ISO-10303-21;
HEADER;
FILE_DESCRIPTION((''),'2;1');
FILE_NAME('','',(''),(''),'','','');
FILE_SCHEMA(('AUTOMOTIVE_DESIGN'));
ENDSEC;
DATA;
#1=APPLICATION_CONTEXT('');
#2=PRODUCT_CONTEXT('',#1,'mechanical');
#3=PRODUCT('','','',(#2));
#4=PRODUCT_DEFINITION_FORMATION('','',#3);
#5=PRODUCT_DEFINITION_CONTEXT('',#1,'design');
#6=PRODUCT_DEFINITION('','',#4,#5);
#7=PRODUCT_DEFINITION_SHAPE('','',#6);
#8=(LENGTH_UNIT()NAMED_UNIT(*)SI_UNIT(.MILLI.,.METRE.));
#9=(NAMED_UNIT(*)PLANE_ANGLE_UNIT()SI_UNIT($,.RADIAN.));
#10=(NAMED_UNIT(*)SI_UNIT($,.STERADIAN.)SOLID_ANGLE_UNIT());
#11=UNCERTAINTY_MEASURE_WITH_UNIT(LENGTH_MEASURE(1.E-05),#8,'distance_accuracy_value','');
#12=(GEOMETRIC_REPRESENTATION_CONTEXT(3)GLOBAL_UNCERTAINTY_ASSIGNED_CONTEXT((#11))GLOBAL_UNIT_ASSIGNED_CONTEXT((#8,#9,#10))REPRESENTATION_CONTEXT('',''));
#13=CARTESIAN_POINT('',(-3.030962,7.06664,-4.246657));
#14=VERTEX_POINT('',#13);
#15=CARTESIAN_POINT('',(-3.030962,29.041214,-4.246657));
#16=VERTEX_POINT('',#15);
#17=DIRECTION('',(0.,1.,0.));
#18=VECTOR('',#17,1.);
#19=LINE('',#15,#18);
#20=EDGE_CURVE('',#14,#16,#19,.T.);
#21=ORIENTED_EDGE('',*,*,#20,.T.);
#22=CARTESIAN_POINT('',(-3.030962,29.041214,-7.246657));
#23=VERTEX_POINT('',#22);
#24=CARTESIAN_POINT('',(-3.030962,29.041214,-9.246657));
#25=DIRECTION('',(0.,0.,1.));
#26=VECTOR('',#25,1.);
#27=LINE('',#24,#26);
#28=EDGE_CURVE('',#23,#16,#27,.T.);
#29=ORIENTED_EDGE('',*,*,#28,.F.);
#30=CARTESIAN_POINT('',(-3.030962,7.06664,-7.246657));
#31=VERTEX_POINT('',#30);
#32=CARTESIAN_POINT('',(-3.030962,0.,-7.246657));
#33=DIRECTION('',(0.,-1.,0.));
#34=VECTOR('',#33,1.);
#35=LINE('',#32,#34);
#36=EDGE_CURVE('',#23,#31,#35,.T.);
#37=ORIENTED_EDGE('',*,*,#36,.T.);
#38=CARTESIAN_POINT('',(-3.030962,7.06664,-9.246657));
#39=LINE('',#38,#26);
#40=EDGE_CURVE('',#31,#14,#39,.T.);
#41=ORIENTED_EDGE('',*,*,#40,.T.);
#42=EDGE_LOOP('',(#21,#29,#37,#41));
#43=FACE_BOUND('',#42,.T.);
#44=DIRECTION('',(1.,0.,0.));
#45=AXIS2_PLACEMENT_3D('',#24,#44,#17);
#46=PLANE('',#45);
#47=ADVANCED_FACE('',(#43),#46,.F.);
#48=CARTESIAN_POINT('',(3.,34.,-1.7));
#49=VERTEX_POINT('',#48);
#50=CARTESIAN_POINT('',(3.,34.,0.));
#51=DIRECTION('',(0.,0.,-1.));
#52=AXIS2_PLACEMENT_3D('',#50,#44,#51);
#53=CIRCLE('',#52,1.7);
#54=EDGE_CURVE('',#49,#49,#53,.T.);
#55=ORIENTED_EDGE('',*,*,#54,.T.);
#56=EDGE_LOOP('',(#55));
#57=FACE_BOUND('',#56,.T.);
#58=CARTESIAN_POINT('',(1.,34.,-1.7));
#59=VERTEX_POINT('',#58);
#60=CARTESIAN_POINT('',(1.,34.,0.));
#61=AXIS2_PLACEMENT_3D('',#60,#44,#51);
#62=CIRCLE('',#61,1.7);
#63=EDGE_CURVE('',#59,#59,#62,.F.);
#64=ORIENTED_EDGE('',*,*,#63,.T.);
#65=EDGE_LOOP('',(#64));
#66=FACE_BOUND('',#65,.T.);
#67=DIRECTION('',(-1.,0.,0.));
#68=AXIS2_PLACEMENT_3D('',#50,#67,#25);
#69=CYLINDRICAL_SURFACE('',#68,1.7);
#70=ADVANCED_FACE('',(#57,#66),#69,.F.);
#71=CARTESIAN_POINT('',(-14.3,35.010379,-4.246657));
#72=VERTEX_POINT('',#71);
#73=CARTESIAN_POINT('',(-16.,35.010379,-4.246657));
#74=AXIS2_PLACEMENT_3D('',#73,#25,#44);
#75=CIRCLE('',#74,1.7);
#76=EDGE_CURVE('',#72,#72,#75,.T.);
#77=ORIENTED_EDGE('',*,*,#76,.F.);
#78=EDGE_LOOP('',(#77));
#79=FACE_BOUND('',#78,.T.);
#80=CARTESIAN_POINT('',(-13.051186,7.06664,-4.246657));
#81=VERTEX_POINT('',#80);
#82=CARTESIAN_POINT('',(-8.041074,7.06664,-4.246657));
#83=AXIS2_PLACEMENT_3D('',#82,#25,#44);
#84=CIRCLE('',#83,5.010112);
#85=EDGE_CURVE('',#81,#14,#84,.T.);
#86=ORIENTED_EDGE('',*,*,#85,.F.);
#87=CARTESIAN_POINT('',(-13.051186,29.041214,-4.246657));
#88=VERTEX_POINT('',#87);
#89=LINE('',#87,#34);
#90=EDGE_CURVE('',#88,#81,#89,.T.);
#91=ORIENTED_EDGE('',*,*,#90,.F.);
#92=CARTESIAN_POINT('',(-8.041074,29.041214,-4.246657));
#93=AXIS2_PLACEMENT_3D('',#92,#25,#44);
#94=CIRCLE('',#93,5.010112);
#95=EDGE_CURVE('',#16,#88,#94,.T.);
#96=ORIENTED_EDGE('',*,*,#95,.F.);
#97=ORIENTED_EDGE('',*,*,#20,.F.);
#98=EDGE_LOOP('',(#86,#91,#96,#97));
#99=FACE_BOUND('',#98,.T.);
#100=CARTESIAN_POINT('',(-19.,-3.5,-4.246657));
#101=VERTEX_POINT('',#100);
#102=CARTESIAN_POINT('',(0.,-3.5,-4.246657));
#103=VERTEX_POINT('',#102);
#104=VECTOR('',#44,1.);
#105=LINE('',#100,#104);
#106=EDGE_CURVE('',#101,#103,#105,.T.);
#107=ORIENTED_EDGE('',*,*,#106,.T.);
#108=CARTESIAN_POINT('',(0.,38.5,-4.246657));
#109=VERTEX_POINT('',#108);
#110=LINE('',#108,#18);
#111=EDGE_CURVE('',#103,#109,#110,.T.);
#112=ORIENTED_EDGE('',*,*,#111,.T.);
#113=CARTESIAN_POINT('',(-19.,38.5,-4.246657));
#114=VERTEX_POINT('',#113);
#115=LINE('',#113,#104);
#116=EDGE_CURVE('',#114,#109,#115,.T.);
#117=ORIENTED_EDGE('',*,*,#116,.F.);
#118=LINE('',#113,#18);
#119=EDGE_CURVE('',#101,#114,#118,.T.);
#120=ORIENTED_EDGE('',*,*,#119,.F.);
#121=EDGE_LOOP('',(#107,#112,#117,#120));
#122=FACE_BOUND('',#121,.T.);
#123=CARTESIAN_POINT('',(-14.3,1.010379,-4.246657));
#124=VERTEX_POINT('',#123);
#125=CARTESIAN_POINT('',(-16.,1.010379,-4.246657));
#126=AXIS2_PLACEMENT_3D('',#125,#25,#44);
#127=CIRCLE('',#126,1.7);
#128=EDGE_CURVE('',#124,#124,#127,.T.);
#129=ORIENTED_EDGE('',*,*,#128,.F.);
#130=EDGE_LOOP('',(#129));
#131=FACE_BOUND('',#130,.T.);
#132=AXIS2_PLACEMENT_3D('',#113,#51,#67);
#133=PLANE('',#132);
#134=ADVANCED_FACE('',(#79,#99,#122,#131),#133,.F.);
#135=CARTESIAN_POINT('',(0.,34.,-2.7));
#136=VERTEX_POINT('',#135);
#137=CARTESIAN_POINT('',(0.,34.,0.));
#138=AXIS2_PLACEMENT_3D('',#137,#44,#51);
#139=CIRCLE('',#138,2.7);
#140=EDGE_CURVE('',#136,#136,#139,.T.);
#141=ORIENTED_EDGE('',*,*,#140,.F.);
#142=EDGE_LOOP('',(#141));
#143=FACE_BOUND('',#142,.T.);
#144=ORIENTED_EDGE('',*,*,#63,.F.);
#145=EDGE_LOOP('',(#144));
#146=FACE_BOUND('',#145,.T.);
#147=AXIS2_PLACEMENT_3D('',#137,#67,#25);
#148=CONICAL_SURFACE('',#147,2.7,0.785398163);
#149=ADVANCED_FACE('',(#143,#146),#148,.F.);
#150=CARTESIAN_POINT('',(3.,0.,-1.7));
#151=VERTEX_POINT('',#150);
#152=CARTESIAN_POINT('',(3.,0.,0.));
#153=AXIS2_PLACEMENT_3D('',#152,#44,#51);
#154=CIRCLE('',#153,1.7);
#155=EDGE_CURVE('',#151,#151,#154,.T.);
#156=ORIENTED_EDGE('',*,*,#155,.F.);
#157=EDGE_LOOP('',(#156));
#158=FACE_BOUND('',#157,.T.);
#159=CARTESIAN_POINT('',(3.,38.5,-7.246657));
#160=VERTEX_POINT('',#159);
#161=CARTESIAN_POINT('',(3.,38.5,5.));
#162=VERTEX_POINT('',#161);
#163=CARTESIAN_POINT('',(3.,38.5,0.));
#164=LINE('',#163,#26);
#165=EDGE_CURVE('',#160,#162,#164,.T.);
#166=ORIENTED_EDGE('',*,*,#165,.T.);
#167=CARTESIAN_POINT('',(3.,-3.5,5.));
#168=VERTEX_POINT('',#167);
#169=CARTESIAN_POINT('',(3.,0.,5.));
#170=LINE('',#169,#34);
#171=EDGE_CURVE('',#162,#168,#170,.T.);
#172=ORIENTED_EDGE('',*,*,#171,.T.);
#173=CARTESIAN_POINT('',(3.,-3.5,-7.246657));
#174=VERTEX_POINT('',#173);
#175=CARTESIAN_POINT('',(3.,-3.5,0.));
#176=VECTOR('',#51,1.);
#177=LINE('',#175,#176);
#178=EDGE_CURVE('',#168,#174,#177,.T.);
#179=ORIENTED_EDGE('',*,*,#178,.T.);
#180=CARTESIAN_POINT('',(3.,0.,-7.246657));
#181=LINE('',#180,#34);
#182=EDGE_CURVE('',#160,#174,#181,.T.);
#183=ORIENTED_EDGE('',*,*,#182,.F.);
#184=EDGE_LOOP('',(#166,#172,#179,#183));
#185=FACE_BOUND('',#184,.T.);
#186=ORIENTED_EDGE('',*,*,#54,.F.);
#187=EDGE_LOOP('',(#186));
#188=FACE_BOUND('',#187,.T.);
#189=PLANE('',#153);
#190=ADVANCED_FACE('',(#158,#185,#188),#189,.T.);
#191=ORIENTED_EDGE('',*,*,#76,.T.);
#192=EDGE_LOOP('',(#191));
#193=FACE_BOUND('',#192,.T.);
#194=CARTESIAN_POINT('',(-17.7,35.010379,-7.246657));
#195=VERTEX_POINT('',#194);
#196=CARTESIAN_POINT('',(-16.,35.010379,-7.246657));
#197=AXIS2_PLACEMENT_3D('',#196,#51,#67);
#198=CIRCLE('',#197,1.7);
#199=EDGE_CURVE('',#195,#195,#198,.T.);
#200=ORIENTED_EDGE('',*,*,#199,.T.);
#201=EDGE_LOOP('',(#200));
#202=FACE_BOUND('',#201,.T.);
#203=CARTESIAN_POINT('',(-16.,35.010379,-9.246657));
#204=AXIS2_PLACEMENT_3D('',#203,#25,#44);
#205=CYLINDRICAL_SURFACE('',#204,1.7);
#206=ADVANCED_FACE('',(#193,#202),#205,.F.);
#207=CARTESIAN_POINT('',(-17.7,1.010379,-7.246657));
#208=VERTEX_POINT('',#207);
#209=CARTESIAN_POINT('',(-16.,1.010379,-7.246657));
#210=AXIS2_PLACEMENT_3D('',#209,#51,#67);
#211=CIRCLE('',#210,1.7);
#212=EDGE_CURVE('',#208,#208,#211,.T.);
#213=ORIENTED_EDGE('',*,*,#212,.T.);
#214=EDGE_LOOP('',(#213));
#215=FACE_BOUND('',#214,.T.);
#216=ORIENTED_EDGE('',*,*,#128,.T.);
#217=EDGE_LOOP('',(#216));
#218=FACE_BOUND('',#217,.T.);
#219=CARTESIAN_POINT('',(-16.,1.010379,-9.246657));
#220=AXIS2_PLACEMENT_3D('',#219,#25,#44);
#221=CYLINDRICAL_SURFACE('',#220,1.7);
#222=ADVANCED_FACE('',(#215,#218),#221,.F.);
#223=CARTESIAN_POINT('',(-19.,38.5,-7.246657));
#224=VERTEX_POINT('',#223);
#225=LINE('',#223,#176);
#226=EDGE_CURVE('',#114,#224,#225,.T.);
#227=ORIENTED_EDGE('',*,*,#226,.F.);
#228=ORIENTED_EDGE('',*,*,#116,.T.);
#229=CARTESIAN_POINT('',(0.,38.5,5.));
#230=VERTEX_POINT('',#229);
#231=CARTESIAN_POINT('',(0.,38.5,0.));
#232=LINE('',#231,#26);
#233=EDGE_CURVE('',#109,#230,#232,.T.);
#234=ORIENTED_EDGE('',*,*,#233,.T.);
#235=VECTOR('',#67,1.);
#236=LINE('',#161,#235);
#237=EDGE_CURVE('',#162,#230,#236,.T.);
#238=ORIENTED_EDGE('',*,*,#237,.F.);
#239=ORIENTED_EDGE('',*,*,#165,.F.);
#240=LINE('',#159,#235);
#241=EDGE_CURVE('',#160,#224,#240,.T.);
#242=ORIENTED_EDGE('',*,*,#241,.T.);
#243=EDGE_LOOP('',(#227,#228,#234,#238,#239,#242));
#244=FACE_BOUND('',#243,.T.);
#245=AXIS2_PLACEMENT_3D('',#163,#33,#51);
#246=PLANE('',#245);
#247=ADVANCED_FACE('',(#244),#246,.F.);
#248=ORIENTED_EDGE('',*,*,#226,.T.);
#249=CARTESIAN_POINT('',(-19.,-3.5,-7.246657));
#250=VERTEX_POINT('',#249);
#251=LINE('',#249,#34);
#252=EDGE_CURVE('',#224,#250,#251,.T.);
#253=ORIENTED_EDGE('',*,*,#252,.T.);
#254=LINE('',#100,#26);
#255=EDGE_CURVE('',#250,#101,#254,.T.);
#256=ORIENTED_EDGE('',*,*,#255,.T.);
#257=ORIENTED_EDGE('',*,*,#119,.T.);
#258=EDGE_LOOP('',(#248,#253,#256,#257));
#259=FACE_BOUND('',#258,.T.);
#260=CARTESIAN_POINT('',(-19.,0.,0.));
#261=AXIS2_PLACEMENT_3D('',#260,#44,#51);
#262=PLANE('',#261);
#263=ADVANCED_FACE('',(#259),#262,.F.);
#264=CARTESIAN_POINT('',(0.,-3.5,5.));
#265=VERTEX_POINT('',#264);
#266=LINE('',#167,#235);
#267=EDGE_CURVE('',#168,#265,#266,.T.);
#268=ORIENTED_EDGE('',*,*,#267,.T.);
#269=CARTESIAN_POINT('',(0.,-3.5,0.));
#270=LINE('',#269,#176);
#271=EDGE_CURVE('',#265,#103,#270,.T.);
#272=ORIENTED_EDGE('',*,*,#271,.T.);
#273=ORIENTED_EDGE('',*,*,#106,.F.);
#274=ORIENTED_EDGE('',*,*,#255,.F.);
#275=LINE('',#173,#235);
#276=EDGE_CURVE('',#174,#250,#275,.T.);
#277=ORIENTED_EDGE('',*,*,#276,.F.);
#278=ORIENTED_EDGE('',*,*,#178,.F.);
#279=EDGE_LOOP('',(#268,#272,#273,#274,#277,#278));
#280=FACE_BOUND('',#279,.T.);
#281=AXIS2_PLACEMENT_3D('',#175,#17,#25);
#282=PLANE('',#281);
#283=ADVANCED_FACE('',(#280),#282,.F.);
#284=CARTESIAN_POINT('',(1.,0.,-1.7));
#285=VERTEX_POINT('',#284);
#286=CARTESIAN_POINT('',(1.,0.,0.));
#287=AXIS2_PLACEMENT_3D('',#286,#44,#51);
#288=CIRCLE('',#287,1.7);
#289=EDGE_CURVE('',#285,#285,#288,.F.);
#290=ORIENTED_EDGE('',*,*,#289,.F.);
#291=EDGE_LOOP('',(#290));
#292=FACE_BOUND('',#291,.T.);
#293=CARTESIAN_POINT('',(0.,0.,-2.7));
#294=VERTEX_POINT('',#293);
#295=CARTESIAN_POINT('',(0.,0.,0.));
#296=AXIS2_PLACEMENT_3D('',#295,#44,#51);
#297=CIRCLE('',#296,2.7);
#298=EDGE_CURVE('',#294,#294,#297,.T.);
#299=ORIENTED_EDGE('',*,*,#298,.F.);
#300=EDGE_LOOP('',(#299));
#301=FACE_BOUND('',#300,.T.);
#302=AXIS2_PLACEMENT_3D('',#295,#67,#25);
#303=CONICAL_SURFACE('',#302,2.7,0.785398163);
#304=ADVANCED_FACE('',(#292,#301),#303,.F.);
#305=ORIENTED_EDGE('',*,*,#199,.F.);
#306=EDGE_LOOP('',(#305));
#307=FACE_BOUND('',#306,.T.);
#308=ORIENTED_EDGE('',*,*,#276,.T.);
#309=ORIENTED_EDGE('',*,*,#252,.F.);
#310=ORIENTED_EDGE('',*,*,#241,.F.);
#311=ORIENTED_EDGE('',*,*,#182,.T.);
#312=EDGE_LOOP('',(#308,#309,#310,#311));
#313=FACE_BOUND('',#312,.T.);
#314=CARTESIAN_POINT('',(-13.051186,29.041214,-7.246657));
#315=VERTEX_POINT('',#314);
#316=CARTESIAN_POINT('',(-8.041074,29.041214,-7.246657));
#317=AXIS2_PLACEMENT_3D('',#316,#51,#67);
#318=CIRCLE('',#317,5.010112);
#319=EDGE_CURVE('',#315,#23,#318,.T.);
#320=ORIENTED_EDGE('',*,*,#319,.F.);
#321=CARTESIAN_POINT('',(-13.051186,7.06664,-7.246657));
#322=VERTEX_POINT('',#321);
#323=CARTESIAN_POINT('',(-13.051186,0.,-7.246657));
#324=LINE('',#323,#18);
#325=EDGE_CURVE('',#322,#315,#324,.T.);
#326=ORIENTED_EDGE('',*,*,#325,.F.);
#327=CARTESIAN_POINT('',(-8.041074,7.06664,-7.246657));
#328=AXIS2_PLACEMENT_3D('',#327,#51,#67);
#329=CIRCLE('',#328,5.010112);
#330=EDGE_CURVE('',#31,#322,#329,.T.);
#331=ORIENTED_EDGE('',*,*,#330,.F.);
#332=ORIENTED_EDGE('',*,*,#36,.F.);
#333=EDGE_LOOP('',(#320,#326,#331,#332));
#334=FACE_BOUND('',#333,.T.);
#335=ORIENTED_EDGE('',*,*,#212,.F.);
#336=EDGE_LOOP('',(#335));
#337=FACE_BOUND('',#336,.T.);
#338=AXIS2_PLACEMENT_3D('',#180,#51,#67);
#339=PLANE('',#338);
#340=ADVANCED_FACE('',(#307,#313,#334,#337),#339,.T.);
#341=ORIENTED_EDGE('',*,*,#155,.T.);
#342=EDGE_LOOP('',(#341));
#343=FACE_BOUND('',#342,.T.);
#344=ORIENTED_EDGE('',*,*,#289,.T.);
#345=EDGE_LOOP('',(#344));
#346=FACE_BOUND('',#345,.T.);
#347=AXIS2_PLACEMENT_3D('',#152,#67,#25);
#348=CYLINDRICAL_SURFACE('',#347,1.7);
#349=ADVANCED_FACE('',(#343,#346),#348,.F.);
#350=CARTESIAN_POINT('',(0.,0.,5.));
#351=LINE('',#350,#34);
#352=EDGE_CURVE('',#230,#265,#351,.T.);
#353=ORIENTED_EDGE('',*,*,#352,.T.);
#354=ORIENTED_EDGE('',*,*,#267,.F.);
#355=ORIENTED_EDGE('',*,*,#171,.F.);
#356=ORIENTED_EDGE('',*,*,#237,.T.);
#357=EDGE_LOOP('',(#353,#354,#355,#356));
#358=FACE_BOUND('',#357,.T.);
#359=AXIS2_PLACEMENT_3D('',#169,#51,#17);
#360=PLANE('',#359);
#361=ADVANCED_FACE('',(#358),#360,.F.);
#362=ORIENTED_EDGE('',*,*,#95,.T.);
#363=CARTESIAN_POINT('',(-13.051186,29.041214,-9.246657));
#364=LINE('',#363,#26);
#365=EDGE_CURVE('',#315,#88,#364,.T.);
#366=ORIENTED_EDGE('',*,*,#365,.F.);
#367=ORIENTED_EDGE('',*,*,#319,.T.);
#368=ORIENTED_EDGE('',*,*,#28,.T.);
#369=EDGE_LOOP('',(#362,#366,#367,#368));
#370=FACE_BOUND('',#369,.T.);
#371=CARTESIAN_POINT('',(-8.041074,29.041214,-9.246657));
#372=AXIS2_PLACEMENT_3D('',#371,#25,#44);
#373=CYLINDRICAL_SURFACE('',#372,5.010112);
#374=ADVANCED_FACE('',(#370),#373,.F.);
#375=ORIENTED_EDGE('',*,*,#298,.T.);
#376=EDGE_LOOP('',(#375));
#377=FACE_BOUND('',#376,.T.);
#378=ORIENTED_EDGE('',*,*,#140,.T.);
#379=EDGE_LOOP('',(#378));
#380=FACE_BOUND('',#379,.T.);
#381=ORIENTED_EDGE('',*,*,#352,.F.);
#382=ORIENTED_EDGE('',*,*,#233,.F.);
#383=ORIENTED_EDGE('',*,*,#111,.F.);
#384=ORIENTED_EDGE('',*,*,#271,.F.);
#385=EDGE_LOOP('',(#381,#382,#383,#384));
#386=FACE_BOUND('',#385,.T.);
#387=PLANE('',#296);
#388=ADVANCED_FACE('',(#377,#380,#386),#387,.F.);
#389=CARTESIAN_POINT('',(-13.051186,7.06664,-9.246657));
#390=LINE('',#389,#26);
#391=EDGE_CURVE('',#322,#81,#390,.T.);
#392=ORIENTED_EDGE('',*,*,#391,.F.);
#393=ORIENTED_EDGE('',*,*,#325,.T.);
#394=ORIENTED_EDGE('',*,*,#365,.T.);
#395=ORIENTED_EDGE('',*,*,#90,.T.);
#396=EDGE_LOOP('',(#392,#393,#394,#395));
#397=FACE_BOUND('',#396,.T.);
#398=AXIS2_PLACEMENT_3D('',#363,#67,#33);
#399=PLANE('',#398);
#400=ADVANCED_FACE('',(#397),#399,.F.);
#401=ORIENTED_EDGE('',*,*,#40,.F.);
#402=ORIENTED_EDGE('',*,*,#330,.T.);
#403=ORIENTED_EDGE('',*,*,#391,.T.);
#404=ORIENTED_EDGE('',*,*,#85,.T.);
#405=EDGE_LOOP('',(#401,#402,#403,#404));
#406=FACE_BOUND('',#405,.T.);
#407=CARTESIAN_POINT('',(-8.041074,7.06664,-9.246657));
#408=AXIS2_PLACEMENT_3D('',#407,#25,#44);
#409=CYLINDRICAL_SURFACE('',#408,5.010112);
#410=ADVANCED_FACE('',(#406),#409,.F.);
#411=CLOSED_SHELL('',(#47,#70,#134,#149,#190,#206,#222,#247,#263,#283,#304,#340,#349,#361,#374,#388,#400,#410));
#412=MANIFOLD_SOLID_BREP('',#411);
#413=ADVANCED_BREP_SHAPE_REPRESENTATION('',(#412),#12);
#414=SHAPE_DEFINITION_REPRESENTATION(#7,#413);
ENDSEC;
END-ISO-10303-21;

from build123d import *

# Parameters (mm, degrees)
SKETCH_1_R          = 1.7
EXTRUDE_2_DEPTH     = 3
SKETCH_2_W          = 3
SKETCH_2_H          = 42
EXTRUDE_3_DEPTH     = 19
SKETCH_3_R          = 1.7
CUT_EXTRUDE_1_DEPTH = 5
CUT_EXTRUDE_2_DEPTH = 5
CHAMFER_1_SIZE      = 1


with BuildPart() as part:
    # Эскиз1 → Бобышка-Вытянуть2 (new body)
    with BuildSketch(Plane(origin=(0, 0, 0), x_dir=(0, 0, -1), z_dir=(1, 0, 0))):
        Polygon((0, 38.5), (-5, 38.5), (-5, -3.5), (7.246656809, -3.5), (7.246656809, 38.5), align=None)
        Circle(SKETCH_1_R, mode=Mode.SUBTRACT)
        with BuildLine():
            ThreePointArc((0, 32.3), (-1.7, 34), (0, 35.7))
            ThreePointArc((0, 35.7), (1.7, 34), (0, 32.3))
        make_face(mode=Mode.SUBTRACT)
    extrude(amount=EXTRUDE_2_DEPTH)

    # Эскиз2 → Бобышка-Вытянуть3 (add)
    with BuildSketch(Plane.ZY):
        with Locations((-5.746656809, 17.5)):
            Rectangle(SKETCH_2_W, SKETCH_2_H)
    extrude(amount=EXTRUDE_3_DEPTH)

    # Эскиз3 → Вырез-Вытянуть1 (cut)
    with BuildSketch(Plane.XY.offset(-4.246656809)):
        with Locations((-16, 35.010378706)):
            Circle(SKETCH_3_R)
        with Locations((-16, 1.010378706)):
            Circle(SKETCH_3_R)
    extrude(amount=-CUT_EXTRUDE_1_DEPTH, mode=Mode.SUBTRACT)

    # Эскиз4 → Вырез-Вытянуть2 (cut)
    with BuildSketch(Plane.XY.offset(-4.246656809)):
        with BuildLine():
            Line((-3.030961954, 29.041213722), (-3.030961954, 7.066639766))
            ThreePointArc((-3.030961954, 7.066639766), (-8.041074018, 2.056527703), (-13.051186081, 7.066639766))
            Line((-13.051186081, 7.066639766), (-13.051186081, 29.041213722))
            ThreePointArc((-13.051186081, 29.041213722), (-8.041074018, 34.051325785), (-3.030961954, 29.041213722))
        make_face()
    extrude(amount=-CUT_EXTRUDE_2_DEPTH, mode=Mode.SUBTRACT)

    # Фаска1
    chamfer_1_edges = [part.edges().sort_by_distance(p)[0] for p in [
        (0, 35.7, 0),
        (0, 0, 1.7),
    ]]
    chamfer(chamfer_1_edges, length=CHAMFER_1_SIZE)


solid = part.part
